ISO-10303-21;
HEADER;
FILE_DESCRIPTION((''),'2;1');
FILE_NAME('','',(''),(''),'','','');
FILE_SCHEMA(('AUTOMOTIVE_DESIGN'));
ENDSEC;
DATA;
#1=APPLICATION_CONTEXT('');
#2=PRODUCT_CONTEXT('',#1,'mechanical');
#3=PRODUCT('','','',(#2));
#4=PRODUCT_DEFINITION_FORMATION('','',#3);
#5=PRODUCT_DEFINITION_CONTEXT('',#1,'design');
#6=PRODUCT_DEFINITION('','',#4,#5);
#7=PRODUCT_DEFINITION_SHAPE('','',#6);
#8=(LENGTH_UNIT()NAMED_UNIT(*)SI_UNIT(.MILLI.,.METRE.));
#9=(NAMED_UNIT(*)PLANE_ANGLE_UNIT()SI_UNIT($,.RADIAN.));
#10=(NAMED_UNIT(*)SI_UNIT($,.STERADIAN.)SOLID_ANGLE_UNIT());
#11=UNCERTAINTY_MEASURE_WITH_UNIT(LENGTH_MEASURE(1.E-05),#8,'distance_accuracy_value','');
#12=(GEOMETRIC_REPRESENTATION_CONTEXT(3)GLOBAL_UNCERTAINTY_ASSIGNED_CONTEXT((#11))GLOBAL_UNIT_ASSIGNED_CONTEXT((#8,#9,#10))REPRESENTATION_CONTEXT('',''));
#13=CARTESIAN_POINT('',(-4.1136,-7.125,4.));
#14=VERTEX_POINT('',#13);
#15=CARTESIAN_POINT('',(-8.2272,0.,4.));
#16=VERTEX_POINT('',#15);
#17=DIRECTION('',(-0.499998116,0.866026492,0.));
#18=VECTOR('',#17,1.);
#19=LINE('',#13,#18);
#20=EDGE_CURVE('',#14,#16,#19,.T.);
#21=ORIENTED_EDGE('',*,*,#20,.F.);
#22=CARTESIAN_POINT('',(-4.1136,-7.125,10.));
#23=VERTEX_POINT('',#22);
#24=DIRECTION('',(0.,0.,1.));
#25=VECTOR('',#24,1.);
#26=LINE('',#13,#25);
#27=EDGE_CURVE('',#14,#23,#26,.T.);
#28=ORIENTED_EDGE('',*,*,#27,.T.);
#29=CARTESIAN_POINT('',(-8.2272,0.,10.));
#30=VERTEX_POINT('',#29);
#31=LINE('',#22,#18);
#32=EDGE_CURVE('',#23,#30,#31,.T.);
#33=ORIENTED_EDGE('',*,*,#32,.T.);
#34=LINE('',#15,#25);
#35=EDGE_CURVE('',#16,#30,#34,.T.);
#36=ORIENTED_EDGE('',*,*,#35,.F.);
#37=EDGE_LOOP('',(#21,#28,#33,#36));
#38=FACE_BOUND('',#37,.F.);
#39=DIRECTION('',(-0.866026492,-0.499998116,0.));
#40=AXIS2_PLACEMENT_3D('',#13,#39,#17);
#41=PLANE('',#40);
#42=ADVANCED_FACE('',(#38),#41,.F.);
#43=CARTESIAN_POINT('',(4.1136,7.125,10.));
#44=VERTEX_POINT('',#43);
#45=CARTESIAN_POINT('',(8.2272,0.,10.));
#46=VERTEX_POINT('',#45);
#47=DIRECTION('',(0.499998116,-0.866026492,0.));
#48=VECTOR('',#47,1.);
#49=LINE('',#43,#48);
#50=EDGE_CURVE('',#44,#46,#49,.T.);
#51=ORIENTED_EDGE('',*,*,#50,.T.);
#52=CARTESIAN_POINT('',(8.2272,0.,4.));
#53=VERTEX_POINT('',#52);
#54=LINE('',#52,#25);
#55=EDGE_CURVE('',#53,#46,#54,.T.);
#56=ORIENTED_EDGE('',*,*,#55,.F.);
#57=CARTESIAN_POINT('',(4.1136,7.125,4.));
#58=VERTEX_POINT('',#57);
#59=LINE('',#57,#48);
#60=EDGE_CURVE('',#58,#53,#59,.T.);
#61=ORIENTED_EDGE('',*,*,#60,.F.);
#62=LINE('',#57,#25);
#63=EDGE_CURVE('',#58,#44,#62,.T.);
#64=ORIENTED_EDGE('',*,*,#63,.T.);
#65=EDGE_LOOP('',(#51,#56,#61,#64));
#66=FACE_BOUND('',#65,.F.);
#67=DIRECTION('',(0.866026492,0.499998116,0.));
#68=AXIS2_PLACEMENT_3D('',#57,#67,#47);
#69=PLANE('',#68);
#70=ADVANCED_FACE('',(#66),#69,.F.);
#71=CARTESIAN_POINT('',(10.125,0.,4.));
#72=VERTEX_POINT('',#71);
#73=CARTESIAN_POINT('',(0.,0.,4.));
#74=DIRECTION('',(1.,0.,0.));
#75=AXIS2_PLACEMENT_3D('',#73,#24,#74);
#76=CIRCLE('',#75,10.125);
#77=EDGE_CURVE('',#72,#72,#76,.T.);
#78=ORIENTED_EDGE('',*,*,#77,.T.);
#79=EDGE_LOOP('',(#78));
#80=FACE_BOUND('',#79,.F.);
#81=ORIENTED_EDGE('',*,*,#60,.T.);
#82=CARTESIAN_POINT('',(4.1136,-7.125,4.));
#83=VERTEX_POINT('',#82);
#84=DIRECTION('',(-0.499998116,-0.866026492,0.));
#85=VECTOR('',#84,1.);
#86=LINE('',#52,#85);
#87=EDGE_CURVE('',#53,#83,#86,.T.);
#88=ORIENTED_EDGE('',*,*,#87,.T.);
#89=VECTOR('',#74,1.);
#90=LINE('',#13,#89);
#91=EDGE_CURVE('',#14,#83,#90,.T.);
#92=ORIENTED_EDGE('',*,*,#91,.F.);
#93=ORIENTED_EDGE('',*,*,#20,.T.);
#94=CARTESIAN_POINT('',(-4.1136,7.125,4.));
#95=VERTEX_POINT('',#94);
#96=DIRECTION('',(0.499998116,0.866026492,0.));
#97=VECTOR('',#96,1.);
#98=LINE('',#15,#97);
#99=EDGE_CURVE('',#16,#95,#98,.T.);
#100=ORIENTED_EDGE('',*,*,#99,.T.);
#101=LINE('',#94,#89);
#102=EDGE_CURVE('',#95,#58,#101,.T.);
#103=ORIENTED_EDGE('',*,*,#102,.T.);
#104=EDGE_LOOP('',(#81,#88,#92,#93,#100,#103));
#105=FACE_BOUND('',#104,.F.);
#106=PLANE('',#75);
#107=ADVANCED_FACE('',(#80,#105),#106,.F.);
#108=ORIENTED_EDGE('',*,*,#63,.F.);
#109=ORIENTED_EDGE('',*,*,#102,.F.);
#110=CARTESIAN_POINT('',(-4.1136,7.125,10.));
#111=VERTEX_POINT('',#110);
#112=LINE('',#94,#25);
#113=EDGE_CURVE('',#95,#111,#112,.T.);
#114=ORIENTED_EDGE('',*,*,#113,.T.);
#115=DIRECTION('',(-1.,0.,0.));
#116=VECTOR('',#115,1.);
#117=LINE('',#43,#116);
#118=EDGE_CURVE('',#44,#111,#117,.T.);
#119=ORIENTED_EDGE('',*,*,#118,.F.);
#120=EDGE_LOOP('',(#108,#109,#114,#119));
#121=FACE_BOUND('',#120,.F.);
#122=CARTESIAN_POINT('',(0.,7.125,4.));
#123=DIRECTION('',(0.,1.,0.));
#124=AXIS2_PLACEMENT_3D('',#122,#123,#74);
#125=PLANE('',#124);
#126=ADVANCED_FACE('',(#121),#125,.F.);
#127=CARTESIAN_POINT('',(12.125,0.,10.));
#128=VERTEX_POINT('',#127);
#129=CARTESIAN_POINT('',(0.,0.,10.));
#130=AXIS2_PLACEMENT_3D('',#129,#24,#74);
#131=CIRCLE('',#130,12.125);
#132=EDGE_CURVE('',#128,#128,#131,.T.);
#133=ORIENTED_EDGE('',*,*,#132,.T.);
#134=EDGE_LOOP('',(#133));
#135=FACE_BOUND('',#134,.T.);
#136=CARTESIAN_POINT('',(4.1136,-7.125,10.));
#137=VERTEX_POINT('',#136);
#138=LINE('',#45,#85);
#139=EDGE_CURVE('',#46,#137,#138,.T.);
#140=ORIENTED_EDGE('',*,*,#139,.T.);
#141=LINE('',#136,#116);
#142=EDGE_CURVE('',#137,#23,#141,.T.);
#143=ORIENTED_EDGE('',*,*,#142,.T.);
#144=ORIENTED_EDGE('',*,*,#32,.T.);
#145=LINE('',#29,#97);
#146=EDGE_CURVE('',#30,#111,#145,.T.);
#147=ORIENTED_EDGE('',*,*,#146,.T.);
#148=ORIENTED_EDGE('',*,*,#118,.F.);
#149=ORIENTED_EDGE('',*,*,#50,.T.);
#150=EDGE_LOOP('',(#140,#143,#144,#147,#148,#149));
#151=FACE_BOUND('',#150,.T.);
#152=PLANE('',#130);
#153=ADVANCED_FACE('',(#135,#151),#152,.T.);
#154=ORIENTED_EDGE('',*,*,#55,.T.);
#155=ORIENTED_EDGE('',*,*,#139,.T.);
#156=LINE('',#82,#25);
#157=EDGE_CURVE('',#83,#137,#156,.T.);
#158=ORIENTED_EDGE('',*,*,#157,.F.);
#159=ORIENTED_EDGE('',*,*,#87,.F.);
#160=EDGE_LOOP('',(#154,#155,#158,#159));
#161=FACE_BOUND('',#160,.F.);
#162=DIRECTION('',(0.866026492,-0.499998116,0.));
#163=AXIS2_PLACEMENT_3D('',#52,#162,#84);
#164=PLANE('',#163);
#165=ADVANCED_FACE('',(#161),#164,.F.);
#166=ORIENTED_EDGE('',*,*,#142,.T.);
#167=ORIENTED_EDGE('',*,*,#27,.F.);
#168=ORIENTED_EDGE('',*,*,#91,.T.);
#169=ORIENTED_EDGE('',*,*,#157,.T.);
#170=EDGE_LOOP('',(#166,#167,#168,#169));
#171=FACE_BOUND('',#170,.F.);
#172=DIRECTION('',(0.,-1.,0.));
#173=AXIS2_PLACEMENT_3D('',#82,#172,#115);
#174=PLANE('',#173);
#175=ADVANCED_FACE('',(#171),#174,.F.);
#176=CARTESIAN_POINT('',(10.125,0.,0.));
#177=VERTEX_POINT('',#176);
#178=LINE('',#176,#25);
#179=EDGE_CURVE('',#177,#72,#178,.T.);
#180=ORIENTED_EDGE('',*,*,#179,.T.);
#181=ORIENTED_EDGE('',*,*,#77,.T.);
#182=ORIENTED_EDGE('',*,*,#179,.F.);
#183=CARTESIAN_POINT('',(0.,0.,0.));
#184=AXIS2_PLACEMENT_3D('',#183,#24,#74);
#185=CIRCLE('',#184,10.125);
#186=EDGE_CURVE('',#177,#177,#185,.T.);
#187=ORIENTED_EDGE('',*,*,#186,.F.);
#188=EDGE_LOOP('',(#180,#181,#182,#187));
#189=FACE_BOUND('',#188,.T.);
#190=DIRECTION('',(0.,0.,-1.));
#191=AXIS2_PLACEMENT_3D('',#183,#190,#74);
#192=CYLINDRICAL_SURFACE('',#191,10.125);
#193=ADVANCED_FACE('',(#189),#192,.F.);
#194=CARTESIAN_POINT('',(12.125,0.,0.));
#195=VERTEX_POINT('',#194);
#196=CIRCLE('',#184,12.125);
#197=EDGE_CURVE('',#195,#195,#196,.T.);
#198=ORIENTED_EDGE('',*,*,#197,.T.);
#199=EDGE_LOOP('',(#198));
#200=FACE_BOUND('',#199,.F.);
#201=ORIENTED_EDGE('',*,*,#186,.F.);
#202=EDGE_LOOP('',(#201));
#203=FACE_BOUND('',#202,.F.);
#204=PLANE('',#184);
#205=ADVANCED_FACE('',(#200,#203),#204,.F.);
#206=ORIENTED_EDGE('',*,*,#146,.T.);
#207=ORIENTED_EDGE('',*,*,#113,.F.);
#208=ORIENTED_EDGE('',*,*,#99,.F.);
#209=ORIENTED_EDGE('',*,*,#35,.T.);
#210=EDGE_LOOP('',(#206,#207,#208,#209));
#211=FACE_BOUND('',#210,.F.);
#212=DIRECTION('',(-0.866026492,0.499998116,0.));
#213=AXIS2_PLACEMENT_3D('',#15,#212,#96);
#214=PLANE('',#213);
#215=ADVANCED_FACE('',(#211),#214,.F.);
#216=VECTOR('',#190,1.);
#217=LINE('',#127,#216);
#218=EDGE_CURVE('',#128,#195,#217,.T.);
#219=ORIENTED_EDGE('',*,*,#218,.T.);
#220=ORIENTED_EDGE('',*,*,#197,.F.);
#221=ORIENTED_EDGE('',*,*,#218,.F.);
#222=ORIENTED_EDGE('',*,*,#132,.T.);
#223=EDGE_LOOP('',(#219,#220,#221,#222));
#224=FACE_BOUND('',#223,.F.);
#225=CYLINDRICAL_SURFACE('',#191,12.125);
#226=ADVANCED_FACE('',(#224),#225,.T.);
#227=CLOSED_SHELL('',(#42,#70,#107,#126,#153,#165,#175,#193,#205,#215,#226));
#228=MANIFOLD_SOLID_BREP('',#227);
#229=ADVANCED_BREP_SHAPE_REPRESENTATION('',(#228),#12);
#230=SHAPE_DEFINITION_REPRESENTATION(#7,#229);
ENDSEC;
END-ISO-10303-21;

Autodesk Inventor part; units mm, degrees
ref_plane "YZ Plane" through (0, 0, 0) normal (1, 0, 0) x (0, 1, 0)
ref_plane "XZ Plane" through (0, 0, 0) normal (0, 1, 0) x (-1, 0, 0)
ref_plane "XY Plane" through (0, 0, 0) normal (0, 0, 1) x (1, 0, 0)
sketch "Sketch1" plane through (0, 0, 0) normal (0, 0, 1) x (1, 0, 0)
  circle A0 centre (0, 0) radius 10.125
  circle A1 centre (0, 0) radius 12.125
  dimension "d0" = 20.25
  dimension "d1" = 2
extrude "Extrusion1" add sketch "Sketch1" along normal blind 4
sketch "Sketch2" plane through (0, 0, 4) normal (0, 0, 1) x (1, 0, 0)
  circle A0 centre (0, 0) radius 10.125 projected
  line L0 (4.1136, 7.125) -> (8.2272, 0)
  line L1 (8.2272, 0) -> (4.1136, -7.125)
  line L2 (4.1136, -7.125) -> (-4.1136, -7.125)
  line L3 (-4.1136, -7.125) -> (-8.2272, 0)
  line L4 (-8.2272, 0) -> (-4.1136, 7.125)
  line L5 (-4.1136, 7.125) -> (4.1136, 7.125)
  line L6 (-16.975, 0) -> (16.975, 0) projected
  line L7 (0, -16.975) -> (0, 16.975) projected
  circle A1 centre (0, 0) radius 12.125 projected
  point P0 (0, 7.125)
  dimension "d4" = 14.25
extrude "Extrusion2" add sketch "Sketch2" along normal blind 6 contours L6 L0 L5 L7 A0 | L6 A1 L7 A0 | A0 L7 L2 L1 L6 | A0 L7 A1 L6 | L7 L5 L4 L6 A0 | A0 L6 A1 L7 | L7 A1 L6 A0 | A0 L6 L3 L2 L7
properties part number "BatterySafetyCap"
